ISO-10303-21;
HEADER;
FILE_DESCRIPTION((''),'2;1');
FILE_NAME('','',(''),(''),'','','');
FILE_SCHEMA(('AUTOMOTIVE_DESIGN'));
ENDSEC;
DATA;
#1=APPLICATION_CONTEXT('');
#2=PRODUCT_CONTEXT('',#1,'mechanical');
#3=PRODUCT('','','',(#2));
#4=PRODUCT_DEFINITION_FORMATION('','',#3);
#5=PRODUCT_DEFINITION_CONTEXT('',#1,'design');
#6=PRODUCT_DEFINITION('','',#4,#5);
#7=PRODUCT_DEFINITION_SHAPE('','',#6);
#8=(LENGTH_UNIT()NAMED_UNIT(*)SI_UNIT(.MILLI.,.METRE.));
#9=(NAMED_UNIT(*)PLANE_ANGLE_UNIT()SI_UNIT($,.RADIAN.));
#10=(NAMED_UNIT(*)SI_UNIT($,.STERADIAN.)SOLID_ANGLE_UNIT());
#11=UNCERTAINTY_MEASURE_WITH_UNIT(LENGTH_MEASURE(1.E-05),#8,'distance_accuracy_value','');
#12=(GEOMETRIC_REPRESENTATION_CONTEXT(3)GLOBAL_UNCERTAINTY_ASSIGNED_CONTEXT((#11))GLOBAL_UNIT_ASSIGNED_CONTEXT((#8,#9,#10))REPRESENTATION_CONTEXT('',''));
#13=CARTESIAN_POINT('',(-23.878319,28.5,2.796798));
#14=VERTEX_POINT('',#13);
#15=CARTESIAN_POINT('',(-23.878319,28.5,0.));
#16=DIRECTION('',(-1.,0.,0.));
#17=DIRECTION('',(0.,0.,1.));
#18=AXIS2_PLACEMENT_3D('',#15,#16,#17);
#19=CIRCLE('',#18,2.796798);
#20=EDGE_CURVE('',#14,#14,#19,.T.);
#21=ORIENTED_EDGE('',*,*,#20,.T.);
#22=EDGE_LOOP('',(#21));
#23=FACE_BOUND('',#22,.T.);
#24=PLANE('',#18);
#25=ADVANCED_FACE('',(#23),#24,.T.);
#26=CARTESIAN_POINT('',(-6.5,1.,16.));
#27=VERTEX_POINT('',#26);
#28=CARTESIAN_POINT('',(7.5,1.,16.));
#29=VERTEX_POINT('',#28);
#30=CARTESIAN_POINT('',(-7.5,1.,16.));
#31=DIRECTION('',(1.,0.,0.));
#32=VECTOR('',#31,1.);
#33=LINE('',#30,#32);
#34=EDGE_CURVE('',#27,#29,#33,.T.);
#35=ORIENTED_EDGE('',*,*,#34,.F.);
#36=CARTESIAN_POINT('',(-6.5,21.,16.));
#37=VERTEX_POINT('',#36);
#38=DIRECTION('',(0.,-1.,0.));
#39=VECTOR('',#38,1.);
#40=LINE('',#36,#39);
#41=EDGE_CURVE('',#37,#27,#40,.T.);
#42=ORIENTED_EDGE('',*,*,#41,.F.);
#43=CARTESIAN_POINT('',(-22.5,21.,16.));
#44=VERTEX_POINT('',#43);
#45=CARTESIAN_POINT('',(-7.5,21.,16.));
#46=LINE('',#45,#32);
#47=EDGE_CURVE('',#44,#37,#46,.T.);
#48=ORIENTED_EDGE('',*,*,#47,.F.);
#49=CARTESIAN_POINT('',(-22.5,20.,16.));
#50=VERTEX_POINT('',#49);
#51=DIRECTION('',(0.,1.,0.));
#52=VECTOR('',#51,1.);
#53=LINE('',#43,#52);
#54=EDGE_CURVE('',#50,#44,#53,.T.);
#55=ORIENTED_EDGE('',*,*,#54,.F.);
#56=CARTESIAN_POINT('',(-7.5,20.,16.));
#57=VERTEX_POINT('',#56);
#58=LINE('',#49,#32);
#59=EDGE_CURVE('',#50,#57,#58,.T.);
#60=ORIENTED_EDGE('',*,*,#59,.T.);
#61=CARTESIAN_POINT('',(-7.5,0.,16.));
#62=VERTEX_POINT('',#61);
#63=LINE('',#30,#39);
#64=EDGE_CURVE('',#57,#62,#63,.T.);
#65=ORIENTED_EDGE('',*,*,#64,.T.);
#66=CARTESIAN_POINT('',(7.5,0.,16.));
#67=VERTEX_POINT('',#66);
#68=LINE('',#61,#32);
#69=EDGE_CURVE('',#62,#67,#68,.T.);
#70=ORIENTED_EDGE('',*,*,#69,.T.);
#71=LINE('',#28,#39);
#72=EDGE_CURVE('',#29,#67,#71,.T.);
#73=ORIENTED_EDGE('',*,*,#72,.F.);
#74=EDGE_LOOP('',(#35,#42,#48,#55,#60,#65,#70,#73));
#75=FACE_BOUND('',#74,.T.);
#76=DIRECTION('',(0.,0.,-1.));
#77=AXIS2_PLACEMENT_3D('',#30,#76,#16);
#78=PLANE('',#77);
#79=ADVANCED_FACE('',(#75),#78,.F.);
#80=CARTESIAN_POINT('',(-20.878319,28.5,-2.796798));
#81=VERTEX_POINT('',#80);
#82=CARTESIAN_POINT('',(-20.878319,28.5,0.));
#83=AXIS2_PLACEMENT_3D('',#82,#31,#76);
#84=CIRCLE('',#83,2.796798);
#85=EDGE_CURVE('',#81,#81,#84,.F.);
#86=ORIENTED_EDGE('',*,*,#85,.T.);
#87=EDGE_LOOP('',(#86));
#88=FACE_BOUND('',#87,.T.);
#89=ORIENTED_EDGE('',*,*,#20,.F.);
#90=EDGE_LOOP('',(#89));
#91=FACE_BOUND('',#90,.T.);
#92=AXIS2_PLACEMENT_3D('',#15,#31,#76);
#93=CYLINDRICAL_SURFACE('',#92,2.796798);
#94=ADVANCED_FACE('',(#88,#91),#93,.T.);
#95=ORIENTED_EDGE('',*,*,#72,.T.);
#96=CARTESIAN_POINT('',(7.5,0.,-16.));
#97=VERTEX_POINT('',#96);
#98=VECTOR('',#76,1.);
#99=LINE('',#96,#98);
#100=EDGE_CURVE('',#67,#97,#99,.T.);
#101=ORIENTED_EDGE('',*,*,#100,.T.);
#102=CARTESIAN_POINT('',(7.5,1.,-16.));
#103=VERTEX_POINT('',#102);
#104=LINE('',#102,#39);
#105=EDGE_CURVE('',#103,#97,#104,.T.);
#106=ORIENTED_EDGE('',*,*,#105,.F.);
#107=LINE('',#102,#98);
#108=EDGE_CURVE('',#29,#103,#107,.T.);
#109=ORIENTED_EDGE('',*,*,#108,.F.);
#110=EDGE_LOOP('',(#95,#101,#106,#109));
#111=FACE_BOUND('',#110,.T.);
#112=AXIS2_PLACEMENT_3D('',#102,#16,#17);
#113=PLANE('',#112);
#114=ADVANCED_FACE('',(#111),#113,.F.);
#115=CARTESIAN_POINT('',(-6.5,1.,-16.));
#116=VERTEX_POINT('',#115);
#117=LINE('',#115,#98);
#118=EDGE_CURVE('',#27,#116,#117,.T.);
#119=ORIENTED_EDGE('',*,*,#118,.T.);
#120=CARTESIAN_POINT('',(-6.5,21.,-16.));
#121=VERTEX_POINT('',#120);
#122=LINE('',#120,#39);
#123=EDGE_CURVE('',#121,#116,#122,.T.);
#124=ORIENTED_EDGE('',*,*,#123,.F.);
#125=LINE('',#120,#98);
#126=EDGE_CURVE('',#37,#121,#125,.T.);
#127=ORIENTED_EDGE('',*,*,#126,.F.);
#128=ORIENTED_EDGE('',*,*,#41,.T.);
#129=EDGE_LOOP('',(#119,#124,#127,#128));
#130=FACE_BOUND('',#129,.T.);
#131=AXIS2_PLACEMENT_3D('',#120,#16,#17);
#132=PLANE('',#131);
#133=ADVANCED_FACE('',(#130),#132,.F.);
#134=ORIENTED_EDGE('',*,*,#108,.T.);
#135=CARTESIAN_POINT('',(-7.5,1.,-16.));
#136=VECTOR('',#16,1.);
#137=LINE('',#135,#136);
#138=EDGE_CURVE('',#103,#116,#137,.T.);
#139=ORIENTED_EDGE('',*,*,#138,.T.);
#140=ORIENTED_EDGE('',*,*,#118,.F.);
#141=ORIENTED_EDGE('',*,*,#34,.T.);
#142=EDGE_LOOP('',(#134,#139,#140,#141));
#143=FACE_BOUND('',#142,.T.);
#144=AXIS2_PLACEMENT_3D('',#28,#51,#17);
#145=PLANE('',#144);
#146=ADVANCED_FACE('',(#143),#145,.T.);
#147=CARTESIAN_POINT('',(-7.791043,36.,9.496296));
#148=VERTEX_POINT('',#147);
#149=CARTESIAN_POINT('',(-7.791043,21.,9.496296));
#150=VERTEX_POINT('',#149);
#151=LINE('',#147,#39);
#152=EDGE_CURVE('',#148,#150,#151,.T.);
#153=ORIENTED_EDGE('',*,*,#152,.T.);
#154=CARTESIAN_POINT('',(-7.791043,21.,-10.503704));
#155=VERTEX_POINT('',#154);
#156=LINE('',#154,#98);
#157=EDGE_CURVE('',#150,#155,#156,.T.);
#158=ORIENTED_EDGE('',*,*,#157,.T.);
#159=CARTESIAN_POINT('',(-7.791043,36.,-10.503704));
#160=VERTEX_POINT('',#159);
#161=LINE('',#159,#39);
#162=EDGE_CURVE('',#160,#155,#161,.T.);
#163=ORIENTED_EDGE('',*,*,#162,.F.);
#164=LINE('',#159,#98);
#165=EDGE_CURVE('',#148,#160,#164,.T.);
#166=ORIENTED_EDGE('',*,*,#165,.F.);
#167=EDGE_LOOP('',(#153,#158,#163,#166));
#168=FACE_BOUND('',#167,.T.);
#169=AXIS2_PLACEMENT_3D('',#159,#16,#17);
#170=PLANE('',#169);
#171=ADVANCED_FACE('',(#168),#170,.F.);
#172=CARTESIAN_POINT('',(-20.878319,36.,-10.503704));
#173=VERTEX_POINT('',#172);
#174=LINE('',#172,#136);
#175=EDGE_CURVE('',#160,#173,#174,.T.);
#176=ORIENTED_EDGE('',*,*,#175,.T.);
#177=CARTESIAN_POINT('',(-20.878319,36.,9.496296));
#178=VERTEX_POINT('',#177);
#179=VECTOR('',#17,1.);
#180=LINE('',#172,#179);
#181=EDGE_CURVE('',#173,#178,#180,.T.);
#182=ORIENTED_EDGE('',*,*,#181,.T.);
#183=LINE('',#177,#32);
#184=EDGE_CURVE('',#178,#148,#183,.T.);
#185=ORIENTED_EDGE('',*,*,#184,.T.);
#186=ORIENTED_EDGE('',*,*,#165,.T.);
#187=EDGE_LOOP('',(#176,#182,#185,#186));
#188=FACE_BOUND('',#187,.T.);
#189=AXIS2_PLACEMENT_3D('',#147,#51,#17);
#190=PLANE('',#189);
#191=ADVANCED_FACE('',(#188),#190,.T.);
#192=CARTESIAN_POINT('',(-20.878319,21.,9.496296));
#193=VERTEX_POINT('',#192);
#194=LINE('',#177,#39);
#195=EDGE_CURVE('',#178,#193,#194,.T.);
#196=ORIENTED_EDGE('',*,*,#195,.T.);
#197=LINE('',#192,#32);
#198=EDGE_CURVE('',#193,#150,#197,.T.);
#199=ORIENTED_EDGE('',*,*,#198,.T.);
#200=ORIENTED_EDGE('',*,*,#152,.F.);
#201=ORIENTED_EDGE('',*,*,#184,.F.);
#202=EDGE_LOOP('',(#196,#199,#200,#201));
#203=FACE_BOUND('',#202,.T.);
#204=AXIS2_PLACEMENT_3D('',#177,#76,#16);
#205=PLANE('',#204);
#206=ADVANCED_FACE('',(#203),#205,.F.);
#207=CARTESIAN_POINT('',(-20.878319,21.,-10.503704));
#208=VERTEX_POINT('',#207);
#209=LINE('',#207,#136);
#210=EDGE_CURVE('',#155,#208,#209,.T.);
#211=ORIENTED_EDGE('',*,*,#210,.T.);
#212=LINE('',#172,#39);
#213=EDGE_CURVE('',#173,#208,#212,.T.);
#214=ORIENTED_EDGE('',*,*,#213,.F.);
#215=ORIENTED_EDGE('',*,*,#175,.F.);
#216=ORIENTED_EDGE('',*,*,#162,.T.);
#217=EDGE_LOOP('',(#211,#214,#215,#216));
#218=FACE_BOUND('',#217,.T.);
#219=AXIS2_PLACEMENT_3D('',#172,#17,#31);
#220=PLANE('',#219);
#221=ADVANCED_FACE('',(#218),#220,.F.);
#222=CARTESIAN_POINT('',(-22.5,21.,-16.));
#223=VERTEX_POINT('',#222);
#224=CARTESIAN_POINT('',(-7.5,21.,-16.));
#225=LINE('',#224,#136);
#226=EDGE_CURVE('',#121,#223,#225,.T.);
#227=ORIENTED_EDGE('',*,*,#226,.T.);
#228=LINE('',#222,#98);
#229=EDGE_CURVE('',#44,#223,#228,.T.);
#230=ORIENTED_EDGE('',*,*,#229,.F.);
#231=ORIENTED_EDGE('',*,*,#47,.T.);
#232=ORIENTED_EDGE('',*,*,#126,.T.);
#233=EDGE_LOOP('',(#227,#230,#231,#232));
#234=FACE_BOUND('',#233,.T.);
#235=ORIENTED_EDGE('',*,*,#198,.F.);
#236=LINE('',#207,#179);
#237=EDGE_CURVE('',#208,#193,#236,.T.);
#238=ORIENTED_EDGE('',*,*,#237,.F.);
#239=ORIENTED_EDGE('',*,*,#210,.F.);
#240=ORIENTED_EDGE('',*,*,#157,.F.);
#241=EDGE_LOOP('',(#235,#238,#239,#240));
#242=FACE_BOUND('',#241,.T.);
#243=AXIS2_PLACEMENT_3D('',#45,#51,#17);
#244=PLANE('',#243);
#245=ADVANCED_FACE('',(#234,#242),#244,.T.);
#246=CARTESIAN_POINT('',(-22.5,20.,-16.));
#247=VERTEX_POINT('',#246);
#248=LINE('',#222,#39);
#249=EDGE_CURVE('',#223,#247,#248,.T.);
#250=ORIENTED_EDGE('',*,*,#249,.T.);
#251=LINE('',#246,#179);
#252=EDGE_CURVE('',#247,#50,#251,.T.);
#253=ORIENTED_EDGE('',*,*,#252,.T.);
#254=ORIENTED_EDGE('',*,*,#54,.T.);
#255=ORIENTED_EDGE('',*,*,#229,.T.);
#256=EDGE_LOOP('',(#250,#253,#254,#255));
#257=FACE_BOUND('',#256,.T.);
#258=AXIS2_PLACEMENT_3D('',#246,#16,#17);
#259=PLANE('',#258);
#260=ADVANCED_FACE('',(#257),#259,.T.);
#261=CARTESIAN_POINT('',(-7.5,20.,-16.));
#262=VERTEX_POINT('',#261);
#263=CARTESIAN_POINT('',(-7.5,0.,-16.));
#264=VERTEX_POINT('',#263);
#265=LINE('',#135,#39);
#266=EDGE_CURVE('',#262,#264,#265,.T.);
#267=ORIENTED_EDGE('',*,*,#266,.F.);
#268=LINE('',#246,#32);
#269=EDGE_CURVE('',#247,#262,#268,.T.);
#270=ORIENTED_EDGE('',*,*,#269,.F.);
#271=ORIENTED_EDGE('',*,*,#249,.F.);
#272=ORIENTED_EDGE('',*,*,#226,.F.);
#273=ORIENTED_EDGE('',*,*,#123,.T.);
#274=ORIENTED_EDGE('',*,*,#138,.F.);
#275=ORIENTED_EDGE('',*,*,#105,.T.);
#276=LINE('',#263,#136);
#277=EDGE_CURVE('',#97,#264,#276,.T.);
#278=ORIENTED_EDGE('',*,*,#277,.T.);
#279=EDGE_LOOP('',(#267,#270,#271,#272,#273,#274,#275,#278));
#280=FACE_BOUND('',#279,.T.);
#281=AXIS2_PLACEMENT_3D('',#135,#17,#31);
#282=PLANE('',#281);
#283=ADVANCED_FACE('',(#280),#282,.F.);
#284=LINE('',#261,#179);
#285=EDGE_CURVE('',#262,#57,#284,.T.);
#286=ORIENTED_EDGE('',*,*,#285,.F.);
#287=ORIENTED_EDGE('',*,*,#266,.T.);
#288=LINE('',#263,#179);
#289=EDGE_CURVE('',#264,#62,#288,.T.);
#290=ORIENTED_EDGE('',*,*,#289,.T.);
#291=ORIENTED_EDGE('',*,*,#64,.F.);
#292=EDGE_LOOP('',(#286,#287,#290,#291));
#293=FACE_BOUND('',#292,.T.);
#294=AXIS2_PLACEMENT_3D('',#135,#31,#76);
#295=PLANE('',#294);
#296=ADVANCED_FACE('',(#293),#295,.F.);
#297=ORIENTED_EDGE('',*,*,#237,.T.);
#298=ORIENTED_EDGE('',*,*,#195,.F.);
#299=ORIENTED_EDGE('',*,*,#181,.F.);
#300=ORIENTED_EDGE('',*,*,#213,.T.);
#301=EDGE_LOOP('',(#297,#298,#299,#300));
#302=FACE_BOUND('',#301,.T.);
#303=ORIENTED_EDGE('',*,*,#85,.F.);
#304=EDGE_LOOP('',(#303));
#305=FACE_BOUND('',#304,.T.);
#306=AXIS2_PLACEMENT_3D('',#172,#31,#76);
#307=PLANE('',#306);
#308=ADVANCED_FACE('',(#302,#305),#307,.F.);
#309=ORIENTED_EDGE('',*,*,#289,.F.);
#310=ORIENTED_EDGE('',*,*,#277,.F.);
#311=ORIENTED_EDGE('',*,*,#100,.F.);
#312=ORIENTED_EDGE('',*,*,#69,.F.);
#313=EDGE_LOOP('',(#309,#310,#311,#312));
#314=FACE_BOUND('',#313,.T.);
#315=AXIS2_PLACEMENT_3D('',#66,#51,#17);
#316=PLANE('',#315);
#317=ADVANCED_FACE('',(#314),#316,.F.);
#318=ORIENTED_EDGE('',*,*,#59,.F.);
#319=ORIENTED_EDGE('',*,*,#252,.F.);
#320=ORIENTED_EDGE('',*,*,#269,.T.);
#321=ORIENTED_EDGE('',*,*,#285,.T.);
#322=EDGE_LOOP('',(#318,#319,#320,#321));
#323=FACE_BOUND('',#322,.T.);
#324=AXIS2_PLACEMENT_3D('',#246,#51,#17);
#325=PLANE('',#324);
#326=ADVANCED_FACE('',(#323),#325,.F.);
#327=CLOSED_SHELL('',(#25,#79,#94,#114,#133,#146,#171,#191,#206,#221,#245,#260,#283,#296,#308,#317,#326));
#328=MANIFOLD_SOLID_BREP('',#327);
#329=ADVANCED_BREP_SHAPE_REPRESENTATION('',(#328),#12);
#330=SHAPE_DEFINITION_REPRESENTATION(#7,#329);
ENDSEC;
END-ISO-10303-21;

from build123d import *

# Parameters (mm, degrees)
SKETCH_1_W       = 15
SKETCH_1_H       = 32
EXTRUDE_1_DEPTH  = 1
SKETCH_2_W       = 1
SKETCH_2_H       = 32
EXTRUDE_2_DEPTH  = 20
SKETCH_8_W       = 32
SKETCH_8_H       = 1
EXTRUDE_8_DEPTH  = 15
SKETCH_9_W       = 13.087276504
SKETCH_9_H       = 20
EXTRUDE_9_DEPTH  = 15
SKETCH_10_R      = 2.796797866
EXTRUDE_10_DEPTH = 3


with BuildPart() as part:
    # 草图1 → 凸台-拉伸1 (new body)
    with BuildSketch(Plane(origin=(0, 0, 0), x_dir=(1, 0, 0), z_dir=(0, 1, 0))):
        Rectangle(SKETCH_1_W, SKETCH_1_H)
    extrude(amount=EXTRUDE_1_DEPTH)

    # 草图2 → 凸台-拉伸2 (add)
    with BuildSketch(Plane(origin=(0, 1, 0), x_dir=(1, 0, 0), z_dir=(0, 1, 0))):
        with Locations((-7, 0)):
            Rectangle(SKETCH_2_W, SKETCH_2_H)
    extrude(amount=EXTRUDE_2_DEPTH)

    # 草图8 → 凸台-拉伸8 (add)
    with BuildSketch(Plane.ZY.offset(7.5)):
        with Locations((0, 20.5)):
            Rectangle(SKETCH_8_W, SKETCH_8_H)
    extrude(amount=EXTRUDE_8_DEPTH)

    # 草图9 → 凸台-拉伸9 (add)
    with BuildSketch(Plane(origin=(0, 21, 0), x_dir=(1, 0, 0), z_dir=(0, 1, 0))):
        with Locations((-14.334681212, 0.503703775)):
            Rectangle(SKETCH_9_W, SKETCH_9_H)
    extrude(amount=EXTRUDE_9_DEPTH)

    # 草图10 → 凸台-拉伸10 (add)
    with BuildSketch(Plane.ZY.offset(20.878319464)):
        with Locations(Location((0, 28.5, 0), (0, 0, 180))):
            Circle(SKETCH_10_R)
    extrude(amount=EXTRUDE_10_DEPTH)


solid = part.part
